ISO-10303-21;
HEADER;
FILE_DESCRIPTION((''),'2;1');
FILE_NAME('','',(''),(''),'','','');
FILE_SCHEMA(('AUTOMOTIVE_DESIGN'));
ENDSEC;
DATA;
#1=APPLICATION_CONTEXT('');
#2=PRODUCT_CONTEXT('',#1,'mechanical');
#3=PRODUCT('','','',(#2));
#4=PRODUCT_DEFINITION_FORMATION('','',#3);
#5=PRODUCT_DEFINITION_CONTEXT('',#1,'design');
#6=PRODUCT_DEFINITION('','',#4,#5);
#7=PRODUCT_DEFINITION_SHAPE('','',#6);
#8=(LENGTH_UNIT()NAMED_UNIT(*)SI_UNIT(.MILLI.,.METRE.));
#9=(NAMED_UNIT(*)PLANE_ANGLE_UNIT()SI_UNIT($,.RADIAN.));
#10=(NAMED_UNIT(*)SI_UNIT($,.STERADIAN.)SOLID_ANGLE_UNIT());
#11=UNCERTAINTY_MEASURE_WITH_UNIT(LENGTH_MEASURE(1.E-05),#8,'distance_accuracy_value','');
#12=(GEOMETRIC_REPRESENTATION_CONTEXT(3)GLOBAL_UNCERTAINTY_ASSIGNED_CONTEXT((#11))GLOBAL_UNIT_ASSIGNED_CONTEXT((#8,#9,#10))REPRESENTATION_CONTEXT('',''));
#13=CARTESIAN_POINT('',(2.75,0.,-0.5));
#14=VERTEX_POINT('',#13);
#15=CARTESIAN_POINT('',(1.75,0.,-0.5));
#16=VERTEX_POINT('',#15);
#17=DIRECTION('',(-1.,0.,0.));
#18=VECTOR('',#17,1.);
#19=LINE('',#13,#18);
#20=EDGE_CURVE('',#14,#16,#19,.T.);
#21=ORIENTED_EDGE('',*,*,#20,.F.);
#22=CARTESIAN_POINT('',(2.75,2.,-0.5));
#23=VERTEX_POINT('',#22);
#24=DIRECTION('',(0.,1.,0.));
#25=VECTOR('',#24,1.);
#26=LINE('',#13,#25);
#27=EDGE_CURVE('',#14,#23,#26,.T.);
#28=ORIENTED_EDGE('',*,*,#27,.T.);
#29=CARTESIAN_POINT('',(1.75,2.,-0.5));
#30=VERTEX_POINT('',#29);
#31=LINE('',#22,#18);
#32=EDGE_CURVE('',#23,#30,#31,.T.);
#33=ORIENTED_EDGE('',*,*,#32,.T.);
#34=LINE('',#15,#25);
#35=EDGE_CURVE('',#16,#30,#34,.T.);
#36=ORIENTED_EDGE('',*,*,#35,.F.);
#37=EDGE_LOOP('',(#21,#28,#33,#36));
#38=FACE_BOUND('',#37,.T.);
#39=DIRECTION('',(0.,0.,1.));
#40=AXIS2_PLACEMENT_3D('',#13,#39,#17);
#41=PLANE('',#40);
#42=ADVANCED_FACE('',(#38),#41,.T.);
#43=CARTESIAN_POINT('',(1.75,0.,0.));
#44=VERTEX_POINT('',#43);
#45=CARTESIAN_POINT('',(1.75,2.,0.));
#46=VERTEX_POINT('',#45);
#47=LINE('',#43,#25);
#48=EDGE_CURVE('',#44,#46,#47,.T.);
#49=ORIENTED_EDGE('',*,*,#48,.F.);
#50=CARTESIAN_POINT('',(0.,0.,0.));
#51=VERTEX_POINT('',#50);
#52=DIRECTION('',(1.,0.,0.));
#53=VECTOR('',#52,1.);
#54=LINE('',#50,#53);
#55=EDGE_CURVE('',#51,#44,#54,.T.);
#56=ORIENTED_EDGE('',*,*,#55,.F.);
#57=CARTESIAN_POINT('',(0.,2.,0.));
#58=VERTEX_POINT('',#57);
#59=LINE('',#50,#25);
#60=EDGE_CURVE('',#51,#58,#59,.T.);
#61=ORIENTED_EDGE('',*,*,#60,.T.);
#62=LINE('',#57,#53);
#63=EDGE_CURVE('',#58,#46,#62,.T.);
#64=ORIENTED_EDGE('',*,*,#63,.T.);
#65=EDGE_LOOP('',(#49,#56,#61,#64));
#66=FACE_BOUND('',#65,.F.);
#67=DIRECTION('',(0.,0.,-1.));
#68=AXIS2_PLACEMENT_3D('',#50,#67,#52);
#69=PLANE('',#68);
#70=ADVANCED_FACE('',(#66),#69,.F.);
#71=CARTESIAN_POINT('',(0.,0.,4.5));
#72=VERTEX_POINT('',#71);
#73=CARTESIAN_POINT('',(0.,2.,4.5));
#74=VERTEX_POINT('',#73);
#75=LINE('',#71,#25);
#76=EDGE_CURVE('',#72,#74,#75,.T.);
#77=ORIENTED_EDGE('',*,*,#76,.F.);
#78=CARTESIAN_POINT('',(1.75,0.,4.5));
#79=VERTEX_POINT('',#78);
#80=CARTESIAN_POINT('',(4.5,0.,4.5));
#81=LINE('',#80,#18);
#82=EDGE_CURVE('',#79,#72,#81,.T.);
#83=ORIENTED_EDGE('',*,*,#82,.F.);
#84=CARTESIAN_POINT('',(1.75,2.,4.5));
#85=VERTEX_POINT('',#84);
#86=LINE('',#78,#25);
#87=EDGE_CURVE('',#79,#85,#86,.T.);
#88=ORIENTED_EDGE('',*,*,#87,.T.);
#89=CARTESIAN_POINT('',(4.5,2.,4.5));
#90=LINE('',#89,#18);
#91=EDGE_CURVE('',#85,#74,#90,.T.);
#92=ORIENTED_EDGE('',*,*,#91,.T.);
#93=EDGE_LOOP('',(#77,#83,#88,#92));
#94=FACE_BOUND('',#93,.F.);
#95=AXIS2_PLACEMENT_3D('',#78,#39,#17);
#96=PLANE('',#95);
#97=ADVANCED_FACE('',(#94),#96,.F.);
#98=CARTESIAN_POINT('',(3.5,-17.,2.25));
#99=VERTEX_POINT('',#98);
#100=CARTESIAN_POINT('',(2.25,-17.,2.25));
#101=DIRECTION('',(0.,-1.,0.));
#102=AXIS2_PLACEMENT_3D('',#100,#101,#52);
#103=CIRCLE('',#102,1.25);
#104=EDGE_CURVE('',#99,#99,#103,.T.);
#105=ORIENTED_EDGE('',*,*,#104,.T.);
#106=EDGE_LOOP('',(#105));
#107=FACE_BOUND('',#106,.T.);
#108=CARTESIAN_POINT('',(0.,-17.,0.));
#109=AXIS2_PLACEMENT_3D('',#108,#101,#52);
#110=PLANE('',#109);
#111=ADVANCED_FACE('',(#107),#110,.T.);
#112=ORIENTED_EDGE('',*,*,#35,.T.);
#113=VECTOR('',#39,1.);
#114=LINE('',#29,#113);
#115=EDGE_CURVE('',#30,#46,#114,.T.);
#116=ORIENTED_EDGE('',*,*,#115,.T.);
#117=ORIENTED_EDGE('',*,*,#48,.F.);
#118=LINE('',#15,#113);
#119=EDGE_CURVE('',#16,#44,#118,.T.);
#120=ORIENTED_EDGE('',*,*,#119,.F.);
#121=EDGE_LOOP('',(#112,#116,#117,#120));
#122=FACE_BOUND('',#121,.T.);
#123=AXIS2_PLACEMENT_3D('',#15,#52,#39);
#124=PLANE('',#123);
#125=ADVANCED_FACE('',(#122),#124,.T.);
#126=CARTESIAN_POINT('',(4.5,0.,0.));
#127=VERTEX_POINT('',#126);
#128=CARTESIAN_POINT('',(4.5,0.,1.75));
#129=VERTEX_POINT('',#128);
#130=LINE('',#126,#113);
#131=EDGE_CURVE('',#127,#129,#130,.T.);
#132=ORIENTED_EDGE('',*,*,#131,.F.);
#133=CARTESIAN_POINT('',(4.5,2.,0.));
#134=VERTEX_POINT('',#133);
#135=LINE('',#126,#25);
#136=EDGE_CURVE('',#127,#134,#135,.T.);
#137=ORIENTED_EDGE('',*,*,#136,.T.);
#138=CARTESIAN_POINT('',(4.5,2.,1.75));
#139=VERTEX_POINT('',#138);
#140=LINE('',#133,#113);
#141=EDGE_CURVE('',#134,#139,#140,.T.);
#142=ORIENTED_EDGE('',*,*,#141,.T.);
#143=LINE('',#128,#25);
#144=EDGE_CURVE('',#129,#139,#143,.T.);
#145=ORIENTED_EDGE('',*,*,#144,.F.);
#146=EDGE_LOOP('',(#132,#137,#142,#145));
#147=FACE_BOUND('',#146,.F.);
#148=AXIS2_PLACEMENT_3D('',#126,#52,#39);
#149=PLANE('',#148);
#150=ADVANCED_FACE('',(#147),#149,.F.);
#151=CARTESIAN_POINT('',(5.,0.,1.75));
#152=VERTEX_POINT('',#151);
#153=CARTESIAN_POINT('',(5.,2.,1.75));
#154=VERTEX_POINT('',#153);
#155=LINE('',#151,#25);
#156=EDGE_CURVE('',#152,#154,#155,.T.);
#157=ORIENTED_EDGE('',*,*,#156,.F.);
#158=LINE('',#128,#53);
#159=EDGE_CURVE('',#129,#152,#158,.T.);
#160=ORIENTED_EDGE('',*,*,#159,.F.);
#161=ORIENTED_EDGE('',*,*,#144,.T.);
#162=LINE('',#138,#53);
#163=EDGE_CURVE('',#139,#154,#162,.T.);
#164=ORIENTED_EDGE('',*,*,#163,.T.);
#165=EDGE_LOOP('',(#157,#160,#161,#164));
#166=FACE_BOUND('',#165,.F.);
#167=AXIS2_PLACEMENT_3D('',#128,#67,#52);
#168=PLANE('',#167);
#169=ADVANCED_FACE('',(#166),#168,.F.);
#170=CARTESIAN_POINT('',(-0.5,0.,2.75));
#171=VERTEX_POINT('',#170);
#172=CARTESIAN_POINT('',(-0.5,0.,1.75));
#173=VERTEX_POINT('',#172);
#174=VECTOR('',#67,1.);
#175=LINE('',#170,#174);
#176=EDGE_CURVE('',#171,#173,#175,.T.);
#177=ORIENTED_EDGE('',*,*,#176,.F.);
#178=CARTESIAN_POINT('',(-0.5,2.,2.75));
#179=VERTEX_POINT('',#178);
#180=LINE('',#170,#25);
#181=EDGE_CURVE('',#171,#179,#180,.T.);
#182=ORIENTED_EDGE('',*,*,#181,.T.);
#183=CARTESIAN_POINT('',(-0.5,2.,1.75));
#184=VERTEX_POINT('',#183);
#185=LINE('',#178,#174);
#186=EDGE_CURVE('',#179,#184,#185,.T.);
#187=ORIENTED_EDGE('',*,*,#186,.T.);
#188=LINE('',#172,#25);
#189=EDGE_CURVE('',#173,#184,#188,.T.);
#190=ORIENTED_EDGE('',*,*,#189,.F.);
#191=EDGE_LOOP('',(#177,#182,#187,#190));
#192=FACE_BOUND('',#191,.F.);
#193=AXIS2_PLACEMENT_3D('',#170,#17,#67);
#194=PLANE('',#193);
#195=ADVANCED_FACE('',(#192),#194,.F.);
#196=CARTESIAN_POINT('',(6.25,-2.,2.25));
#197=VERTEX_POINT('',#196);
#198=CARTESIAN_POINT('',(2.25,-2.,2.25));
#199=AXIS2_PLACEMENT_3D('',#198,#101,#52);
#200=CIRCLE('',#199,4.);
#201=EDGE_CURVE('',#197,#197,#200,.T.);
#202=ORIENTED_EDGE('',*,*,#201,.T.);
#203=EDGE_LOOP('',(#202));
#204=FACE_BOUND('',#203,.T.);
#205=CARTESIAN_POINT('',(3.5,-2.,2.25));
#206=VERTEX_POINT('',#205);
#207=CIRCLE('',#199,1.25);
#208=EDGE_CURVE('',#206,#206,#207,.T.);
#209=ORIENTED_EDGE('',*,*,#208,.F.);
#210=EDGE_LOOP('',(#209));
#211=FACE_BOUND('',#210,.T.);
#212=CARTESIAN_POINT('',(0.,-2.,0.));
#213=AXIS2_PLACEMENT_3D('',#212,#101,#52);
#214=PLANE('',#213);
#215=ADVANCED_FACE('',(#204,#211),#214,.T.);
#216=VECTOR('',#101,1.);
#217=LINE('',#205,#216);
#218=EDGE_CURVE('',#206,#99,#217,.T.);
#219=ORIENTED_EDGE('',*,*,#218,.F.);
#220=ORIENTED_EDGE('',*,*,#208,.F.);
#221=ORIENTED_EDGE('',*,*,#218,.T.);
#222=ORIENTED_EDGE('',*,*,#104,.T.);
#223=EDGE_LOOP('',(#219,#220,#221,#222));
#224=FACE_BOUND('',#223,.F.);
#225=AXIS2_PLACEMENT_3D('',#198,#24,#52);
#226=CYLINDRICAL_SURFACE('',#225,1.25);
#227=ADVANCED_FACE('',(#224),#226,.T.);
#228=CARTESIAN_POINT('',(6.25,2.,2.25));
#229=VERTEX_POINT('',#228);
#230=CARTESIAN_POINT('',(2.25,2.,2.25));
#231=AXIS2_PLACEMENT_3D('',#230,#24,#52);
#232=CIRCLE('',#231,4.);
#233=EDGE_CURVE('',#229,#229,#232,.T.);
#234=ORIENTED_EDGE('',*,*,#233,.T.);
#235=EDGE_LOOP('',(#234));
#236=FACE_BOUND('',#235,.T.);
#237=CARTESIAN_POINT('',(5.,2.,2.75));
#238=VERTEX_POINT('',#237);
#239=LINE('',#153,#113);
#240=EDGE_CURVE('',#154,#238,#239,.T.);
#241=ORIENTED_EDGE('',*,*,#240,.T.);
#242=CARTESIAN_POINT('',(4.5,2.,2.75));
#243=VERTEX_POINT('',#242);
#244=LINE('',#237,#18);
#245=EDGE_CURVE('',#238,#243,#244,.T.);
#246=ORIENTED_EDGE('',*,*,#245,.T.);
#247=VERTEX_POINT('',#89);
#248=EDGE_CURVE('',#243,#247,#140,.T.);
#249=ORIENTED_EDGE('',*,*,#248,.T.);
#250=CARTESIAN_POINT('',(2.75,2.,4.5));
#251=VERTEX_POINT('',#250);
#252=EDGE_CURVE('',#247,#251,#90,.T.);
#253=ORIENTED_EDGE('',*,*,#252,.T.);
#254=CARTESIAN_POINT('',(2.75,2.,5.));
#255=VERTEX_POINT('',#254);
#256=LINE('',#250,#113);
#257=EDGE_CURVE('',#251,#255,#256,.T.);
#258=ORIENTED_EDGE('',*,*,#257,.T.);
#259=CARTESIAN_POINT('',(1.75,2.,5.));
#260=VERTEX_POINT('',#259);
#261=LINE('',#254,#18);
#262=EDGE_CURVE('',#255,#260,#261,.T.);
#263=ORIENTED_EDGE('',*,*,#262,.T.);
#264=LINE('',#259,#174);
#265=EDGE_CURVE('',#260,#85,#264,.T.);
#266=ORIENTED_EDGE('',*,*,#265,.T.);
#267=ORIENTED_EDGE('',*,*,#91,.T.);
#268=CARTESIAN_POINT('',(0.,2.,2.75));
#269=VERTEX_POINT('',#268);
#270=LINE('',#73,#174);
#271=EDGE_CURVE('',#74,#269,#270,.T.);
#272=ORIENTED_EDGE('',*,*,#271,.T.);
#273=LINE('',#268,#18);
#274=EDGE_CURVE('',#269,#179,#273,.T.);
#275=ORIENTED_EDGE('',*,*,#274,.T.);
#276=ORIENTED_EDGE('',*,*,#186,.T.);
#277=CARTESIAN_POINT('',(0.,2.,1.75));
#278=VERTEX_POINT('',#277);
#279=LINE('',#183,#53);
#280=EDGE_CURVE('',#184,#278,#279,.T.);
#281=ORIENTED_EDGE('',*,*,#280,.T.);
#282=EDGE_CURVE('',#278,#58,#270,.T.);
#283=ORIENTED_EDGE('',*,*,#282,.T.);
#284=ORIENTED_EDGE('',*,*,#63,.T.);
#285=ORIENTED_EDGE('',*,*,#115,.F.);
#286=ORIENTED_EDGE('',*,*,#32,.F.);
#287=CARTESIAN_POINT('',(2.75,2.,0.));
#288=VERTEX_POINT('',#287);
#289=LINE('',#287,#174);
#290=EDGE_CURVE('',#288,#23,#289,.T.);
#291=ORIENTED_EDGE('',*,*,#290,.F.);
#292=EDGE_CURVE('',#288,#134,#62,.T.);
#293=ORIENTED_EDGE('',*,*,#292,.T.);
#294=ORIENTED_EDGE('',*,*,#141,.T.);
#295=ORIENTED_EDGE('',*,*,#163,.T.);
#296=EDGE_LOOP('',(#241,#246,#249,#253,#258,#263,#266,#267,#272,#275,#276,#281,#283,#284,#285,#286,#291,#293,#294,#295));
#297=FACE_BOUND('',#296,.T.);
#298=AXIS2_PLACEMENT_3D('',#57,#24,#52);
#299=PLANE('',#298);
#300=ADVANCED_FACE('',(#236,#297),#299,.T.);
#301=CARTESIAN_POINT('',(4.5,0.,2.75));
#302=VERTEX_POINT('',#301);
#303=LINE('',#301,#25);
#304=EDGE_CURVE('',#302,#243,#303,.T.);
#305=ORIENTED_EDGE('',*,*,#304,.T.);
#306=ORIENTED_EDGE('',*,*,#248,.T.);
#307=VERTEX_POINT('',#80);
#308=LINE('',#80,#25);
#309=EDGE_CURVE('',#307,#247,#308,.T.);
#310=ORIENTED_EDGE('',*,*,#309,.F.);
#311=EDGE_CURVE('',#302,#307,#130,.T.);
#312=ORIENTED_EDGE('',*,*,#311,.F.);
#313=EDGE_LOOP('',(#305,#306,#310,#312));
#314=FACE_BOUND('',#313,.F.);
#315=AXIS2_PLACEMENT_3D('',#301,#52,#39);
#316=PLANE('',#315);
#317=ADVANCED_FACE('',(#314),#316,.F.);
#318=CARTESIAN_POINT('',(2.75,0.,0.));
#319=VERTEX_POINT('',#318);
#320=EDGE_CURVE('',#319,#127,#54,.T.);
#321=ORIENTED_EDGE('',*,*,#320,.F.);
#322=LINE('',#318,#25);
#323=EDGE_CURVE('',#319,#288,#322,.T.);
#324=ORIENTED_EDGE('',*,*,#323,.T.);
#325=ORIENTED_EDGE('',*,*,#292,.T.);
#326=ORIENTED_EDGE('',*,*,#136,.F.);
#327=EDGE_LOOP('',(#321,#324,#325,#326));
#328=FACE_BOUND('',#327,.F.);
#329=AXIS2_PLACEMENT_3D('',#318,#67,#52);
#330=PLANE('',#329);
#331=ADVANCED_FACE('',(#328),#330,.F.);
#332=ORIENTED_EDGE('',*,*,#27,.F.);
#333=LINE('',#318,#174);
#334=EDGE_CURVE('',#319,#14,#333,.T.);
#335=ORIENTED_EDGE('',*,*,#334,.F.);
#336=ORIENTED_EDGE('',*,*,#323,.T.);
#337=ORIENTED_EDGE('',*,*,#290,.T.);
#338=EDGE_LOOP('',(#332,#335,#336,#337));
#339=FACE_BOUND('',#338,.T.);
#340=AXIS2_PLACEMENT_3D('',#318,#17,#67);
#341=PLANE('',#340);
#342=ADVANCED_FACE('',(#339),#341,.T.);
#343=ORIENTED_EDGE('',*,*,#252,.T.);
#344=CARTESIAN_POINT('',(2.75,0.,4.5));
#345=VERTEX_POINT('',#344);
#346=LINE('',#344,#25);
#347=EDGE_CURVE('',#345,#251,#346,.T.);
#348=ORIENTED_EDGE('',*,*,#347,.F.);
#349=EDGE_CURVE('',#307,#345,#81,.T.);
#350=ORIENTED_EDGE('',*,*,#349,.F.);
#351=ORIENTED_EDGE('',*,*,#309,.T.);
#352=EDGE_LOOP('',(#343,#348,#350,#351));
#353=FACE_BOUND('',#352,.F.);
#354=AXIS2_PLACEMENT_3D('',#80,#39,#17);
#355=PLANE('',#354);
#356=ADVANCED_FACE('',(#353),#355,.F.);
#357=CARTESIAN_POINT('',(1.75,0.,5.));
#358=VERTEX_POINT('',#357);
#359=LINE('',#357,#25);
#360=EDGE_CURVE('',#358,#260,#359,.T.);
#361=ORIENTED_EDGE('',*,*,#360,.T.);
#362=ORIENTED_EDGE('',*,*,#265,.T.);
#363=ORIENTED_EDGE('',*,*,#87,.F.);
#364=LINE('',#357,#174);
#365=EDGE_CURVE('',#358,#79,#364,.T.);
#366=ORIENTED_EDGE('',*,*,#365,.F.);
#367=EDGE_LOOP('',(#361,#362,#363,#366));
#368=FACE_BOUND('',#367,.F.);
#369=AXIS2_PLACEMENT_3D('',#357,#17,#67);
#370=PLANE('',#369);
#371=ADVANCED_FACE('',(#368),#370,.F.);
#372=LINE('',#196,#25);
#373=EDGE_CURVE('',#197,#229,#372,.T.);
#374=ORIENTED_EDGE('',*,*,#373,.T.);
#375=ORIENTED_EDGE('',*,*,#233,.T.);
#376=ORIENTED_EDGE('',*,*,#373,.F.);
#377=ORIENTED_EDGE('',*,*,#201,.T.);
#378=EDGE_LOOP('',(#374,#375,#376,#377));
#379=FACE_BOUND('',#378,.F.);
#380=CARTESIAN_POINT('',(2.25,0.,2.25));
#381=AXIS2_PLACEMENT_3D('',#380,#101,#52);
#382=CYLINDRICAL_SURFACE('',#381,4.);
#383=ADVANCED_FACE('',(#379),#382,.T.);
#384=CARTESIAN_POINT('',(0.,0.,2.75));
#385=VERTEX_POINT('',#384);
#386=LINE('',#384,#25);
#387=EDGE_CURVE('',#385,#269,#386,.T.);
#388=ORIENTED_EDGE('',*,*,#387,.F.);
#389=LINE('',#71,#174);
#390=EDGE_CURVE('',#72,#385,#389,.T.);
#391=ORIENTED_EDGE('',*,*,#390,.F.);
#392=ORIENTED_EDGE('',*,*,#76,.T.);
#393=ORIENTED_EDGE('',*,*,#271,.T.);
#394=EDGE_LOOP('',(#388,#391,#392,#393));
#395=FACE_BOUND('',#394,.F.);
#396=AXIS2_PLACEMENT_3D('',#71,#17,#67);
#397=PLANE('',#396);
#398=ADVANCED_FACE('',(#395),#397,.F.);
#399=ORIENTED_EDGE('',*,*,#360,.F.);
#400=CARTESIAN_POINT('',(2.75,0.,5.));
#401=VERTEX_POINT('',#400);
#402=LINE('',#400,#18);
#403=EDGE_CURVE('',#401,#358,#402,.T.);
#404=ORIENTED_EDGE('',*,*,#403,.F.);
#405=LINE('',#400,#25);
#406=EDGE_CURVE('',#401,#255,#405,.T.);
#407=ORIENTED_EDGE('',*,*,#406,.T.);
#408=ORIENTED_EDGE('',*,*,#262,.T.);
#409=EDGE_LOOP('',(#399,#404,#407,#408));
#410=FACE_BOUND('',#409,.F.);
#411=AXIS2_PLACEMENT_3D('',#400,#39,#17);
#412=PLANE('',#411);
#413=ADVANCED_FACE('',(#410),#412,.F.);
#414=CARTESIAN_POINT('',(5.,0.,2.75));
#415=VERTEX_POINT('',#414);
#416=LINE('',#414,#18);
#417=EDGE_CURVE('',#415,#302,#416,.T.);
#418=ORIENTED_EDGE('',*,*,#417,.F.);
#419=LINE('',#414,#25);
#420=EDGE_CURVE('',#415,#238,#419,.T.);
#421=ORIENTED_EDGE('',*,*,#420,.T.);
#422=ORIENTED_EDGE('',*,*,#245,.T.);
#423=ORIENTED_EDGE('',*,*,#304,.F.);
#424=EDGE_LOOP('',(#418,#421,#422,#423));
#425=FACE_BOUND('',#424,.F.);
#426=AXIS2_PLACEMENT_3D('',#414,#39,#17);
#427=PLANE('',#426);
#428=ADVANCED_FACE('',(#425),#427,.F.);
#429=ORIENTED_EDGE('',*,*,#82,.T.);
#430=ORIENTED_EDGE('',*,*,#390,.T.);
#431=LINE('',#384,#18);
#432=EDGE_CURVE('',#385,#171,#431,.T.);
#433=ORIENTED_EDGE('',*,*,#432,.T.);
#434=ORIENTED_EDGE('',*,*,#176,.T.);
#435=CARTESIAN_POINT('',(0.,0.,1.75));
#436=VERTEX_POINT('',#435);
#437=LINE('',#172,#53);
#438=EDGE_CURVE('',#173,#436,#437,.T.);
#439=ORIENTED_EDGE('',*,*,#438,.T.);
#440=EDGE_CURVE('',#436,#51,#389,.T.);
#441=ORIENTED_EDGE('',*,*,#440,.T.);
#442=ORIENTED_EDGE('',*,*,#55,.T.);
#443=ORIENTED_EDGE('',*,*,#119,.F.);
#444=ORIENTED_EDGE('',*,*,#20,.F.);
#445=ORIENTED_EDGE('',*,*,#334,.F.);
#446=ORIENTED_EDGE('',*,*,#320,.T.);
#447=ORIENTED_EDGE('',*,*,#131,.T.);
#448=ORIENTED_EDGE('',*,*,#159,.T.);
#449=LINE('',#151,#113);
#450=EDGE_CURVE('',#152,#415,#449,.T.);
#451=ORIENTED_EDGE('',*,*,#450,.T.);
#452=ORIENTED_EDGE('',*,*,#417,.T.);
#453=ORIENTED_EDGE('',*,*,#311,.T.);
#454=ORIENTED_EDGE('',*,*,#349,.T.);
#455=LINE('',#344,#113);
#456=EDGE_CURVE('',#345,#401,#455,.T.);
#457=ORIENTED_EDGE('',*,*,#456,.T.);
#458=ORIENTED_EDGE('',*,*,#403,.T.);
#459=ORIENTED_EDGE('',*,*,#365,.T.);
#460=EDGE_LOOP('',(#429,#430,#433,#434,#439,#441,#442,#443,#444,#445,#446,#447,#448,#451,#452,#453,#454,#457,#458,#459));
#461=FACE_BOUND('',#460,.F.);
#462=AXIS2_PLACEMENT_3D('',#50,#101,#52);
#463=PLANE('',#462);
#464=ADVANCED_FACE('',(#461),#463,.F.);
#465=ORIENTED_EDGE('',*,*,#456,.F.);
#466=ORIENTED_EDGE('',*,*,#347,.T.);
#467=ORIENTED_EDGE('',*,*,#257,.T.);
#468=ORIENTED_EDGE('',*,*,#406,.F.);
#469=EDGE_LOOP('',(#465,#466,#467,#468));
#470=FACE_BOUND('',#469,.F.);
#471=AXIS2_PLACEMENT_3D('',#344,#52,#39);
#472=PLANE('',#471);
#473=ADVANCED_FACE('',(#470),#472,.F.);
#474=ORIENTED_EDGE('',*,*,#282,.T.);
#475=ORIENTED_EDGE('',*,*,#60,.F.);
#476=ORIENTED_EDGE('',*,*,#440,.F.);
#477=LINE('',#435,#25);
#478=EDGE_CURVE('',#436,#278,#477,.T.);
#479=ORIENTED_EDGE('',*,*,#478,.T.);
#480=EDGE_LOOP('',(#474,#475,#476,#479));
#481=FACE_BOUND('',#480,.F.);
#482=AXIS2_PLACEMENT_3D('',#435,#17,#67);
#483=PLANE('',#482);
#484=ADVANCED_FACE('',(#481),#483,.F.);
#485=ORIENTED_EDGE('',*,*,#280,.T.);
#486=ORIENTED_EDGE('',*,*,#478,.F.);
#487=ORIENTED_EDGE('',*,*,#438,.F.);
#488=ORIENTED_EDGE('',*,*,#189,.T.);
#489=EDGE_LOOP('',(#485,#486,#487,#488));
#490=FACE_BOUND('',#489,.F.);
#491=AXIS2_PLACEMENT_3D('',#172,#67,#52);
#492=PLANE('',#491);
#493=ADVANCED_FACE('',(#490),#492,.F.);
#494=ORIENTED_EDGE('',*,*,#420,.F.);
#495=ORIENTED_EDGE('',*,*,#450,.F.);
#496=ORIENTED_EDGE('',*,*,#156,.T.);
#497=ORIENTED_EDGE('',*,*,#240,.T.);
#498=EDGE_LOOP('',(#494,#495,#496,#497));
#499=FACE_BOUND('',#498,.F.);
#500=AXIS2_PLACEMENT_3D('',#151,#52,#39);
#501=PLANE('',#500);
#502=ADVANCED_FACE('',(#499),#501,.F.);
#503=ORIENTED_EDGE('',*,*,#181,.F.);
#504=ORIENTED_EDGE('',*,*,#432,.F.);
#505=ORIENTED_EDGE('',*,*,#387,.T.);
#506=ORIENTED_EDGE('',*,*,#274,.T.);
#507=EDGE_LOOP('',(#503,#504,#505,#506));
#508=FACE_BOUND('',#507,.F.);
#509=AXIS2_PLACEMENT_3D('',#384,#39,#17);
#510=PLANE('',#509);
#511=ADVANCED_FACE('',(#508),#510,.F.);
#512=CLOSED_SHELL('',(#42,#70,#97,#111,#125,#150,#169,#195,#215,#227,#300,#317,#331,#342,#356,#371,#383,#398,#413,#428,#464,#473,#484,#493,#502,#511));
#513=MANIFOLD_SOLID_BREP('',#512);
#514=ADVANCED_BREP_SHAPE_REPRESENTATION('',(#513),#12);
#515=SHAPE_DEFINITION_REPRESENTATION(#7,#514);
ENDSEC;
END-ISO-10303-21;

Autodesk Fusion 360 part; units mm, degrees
sketch "Sketch1" plane through (0, 0, 0) normal (0, 1, 0) x (1, 0, 0)
  line L0 (0, 0) -> (4.5, 0)
  line L1 (4.5, 0) -> (4.5, -4.5)
  line L2 (4.5, -4.5) -> (0, -4.5)
  line L3 (0, -4.5) -> (0, 0)
  line L4 (0, -4.5) -> (4.5, 0) construction
  line L5 (4.5, -4.5) -> (0, 0) construction
  circle A0 centre (2.25, -2.25) radius 4
  line L6 (4.5, -2.25) -> (4.5, -1.75)
  line L7 (4.5, -1.75) -> (5, -1.75)
  line L8 (5, -1.75) -> (5, -2.75)
  line L9 (5, -2.75) -> (4.5, -2.75)
  line L10 (0, -2.75) -> (-0.5, -2.75)
  line L11 (-0.5, -2.75) -> (-0.5, -1.75)
  line L12 (-0.5, -1.75) -> (0, -1.75)
  line L13 (2.25, -2.25) -> (2.25, -4.5) construction
  line L14 (2.25, -2.25) -> (2.25, 0) construction
  line L15 (2.25, -4.5) -> (2.75, -4.5) construction
  line L16 (2.75, -4.5) -> (2.75, -5)
  line L17 (2.75, -5) -> (1.75, -5)
  line L18 (1.75, -5) -> (1.75, -4.5)
  line L19 (2.25, 0) -> (2.75, 0) construction
  line L20 (2.75, 0) -> (2.75, 0.5)
  line L21 (2.75, 0.5) -> (1.75, 0.5)
  line L22 (1.75, 0.5) -> (1.75, 0)
  dimension "d1" = 4.5
  dimension "d2" = 4.5
  dimension "d3" = 4.5
  dimension "d4" = 8
  dimension "d5" = 0.5
  dimension "d6" = 1
  dimension "d7" = 0.5
  dimension "d8" = 1
  dimension "d9" = 0.5
  dimension "d10" = 0.5
  dimension "d11" = 1
  dimension "d12" = 0.5
  dimension "d13" = 0.5
  dimension "d14" = 1
extrude "Extrude1" add sketch "Sketch1" along normal blind 2
sketch "Sketch2" plane through (0, 0, 0) normal (0, -1, 0) x (1, 0, 0)
  line L0 (2.75, 0) -> (2.75, -0.5)
  line L1 (2.75, -0.5) -> (1.75, -0.5)
  line L2 (1.75, -0.5) -> (1.75, 0)
  line L3 (1.75, 0) -> (0, 0)
  line L4 (0, 0) -> (0, 1.75)
  line L5 (0, 1.75) -> (-0.5, 1.75)
  line L6 (-0.5, 1.75) -> (-0.5, 2.75)
  line L7 (-0.5, 2.75) -> (0, 2.75)
  line L8 (0, 2.75) -> (0, 4.5)
  line L9 (0, 4.5) -> (1.75, 4.5)
  line L10 (1.75, 4.5) -> (1.75, 5)
  line L11 (1.75, 5) -> (2.75, 5)
  line L12 (2.75, 5) -> (2.75, 4.5)
  line L13 (2.75, 4.5) -> (4.5, 4.5)
  line L14 (4.5, 4.5) -> (4.5, 2.75)
  line L15 (4.5, 2.75) -> (5, 2.75)
  line L16 (5, 2.75) -> (5, 1.75)
  line L17 (5, 1.75) -> (4.5, 1.75)
  line L18 (4.5, 1.75) -> (4.5, 0)
  line L19 (4.5, 0) -> (2.75, 0)
  circle A0 centre (2.25, 2.25) radius 4
extrude "Extrude2" add sketch "Sketch2" along normal blind 2 contours L0 L1 L2 L3 L4 L5 L6 L7 L8 L9 L10 L11 L12 L13 L14 L15 L16 L17 L18 L19 | A0
sketch "Sketch3" plane through (0, -2, 0) normal (0, -1, 0) x (1, 0, 0)
  circle A0 centre (2.25, 2.25) radius 4
sketch "Sketch4" plane through (0, -2, 0) normal (0, -1, 0) x (1, 0, 0)
  circle A0 centre (2.25, 2.25) radius 1.25
  point P0 (2.25, 2.25)
  dimension "d19" = 2.5
  dimension "d21" = 0
extrude "Extrude3" add sketch "Sketch4" along normal blind 15
